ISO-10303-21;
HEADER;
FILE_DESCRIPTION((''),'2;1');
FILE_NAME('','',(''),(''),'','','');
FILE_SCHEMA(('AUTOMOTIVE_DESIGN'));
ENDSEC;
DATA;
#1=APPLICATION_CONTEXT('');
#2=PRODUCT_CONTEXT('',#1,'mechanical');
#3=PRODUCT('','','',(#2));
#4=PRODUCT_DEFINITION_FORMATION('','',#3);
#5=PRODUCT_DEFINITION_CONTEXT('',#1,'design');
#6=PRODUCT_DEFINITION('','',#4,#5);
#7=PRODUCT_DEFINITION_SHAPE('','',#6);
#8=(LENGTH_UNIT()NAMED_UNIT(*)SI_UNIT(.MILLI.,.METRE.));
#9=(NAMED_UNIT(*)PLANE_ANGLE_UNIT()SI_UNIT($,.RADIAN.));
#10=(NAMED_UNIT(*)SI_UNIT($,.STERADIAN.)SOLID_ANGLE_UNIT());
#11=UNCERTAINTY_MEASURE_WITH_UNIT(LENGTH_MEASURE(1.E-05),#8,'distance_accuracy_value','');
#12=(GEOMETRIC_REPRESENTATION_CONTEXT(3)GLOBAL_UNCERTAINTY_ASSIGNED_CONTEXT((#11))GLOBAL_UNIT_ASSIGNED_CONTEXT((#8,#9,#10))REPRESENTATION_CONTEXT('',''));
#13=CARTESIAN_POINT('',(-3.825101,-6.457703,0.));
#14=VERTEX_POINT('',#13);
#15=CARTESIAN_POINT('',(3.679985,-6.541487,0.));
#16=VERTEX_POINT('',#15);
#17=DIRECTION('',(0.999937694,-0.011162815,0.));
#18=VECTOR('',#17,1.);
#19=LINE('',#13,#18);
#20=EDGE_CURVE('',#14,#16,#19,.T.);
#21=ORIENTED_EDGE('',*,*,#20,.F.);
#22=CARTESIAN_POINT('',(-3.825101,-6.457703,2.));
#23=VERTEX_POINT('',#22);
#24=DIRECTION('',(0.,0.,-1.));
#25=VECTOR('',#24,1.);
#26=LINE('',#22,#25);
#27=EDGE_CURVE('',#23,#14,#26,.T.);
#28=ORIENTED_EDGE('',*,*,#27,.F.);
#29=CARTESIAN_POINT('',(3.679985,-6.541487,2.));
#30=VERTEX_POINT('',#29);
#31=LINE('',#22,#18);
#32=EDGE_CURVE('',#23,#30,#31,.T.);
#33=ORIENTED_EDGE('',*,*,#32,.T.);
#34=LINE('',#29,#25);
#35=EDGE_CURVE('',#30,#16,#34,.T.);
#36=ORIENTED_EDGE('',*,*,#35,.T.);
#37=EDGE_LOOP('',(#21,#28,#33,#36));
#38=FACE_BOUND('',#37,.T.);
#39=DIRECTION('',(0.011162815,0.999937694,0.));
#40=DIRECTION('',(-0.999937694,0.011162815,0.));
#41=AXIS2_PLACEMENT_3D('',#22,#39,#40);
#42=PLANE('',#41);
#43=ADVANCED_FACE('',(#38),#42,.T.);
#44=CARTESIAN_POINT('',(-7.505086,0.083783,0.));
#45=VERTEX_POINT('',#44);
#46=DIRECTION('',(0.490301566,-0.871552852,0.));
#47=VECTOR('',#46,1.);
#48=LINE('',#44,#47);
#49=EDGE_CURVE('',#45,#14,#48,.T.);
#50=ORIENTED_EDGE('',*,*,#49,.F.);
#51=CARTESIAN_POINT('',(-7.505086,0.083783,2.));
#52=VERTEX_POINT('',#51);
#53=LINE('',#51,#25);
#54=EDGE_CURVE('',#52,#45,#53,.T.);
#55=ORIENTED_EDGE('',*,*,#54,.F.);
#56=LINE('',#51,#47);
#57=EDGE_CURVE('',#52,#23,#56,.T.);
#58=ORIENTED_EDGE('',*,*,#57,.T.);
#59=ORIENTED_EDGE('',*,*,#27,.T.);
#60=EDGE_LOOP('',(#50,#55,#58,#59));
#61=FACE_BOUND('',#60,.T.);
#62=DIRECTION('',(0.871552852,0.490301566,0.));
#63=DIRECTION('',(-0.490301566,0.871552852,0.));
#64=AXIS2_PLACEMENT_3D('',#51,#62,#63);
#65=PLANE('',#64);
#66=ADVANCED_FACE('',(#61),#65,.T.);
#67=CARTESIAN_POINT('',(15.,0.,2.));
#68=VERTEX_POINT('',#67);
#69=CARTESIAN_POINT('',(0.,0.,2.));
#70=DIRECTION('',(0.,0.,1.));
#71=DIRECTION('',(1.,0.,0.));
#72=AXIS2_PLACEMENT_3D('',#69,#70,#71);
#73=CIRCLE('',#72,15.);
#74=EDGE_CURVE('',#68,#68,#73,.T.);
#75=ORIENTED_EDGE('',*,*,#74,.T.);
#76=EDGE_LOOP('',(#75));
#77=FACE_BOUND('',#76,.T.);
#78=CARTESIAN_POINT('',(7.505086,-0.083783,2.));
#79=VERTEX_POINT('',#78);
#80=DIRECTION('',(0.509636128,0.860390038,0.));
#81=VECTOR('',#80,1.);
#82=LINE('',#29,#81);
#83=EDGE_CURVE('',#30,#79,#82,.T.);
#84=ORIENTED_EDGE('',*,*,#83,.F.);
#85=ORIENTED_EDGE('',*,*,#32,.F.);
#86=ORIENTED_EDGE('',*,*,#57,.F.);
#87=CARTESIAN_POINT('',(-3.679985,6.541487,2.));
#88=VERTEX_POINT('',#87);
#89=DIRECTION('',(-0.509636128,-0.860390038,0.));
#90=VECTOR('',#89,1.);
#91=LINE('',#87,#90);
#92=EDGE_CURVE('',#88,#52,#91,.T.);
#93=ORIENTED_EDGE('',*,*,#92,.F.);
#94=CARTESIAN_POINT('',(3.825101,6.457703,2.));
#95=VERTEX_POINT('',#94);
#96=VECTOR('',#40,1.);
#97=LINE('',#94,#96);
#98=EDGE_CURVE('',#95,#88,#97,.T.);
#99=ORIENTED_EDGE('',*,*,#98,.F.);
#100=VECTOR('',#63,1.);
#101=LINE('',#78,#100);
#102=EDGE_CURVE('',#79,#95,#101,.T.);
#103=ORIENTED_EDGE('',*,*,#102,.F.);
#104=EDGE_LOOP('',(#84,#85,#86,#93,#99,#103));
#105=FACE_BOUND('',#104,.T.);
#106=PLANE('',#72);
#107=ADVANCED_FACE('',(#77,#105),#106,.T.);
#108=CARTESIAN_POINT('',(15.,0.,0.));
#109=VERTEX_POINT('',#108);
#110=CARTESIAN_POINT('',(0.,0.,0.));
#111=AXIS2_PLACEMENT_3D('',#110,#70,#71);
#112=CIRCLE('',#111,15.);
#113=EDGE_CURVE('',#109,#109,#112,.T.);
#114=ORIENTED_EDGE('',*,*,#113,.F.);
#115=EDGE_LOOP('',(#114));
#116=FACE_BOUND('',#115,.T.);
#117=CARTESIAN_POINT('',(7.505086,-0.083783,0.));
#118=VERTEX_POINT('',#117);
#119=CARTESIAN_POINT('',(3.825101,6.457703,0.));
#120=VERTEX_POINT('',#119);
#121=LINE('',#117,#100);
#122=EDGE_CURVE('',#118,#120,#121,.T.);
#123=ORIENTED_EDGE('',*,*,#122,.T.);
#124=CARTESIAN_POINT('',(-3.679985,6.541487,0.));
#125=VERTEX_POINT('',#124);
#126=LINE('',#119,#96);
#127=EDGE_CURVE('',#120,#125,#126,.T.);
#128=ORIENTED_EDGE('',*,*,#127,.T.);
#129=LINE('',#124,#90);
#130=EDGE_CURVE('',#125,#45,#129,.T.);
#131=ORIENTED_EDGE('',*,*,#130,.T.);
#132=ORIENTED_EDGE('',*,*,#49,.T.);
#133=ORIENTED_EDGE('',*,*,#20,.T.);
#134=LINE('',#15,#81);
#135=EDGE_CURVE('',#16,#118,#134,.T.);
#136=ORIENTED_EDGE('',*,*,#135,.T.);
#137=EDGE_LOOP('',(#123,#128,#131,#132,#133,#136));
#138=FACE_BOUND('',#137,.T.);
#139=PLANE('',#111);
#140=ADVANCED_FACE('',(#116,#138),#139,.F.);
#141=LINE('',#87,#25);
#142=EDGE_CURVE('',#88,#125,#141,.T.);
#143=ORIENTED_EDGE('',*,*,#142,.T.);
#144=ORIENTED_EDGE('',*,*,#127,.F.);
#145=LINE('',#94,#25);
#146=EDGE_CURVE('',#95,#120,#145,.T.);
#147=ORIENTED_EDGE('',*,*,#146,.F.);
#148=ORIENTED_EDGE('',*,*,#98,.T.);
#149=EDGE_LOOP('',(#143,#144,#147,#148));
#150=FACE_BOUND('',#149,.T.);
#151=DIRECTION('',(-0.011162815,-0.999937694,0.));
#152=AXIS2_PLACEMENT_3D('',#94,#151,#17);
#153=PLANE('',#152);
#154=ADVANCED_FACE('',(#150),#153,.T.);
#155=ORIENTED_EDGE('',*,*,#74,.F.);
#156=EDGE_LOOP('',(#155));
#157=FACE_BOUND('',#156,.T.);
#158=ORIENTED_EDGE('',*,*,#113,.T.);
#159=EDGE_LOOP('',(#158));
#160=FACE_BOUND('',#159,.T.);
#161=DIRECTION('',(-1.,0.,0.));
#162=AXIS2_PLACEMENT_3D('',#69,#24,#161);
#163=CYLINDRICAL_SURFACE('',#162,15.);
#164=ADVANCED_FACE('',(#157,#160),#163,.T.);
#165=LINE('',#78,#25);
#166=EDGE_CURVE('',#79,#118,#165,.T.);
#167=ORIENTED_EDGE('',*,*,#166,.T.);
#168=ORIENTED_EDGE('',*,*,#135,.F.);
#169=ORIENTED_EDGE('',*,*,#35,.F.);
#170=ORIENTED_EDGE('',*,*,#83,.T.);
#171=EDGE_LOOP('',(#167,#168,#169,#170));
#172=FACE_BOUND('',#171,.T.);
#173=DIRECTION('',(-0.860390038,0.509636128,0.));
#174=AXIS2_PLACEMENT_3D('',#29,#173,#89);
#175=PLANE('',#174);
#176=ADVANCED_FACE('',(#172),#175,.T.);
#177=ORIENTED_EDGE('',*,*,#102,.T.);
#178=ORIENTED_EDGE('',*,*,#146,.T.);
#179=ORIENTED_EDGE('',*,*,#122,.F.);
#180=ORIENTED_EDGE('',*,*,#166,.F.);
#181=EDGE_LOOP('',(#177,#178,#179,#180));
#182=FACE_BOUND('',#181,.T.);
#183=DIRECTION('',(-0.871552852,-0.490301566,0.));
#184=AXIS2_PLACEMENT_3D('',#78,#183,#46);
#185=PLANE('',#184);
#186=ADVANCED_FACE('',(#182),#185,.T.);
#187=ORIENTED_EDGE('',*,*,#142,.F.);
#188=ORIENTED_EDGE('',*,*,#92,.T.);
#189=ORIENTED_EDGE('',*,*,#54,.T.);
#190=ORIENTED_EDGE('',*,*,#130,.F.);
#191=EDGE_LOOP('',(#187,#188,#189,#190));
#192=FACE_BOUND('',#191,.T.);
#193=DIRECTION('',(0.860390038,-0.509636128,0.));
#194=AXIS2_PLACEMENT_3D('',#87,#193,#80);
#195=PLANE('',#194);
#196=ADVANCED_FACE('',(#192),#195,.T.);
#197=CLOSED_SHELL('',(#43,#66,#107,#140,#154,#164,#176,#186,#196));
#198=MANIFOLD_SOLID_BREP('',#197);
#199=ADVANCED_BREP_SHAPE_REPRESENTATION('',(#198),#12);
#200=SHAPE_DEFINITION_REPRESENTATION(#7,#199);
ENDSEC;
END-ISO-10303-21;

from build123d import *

# Parameters (mm, degrees)
CROQUIS1_R              = 15
SALIENTE_EXTRUIR1_DEPTH = 2


with BuildPart() as part:
    # Croquis1 → Saliente-Extruir1 (new body)
    with BuildSketch(Plane.XY):
        Circle(CROQUIS1_R)
        Polygon((3.679984632, -6.541486562), (7.505085857, -0.083783104), (3.825101225, 6.457703458), (-3.679984632, 6.541486562), (-7.505085857, 0.083783104), (-3.825101225, -6.457703458), align=None, mode=Mode.SUBTRACT)
    extrude(amount=SALIENTE_EXTRUIR1_DEPTH)


solid = part.part
